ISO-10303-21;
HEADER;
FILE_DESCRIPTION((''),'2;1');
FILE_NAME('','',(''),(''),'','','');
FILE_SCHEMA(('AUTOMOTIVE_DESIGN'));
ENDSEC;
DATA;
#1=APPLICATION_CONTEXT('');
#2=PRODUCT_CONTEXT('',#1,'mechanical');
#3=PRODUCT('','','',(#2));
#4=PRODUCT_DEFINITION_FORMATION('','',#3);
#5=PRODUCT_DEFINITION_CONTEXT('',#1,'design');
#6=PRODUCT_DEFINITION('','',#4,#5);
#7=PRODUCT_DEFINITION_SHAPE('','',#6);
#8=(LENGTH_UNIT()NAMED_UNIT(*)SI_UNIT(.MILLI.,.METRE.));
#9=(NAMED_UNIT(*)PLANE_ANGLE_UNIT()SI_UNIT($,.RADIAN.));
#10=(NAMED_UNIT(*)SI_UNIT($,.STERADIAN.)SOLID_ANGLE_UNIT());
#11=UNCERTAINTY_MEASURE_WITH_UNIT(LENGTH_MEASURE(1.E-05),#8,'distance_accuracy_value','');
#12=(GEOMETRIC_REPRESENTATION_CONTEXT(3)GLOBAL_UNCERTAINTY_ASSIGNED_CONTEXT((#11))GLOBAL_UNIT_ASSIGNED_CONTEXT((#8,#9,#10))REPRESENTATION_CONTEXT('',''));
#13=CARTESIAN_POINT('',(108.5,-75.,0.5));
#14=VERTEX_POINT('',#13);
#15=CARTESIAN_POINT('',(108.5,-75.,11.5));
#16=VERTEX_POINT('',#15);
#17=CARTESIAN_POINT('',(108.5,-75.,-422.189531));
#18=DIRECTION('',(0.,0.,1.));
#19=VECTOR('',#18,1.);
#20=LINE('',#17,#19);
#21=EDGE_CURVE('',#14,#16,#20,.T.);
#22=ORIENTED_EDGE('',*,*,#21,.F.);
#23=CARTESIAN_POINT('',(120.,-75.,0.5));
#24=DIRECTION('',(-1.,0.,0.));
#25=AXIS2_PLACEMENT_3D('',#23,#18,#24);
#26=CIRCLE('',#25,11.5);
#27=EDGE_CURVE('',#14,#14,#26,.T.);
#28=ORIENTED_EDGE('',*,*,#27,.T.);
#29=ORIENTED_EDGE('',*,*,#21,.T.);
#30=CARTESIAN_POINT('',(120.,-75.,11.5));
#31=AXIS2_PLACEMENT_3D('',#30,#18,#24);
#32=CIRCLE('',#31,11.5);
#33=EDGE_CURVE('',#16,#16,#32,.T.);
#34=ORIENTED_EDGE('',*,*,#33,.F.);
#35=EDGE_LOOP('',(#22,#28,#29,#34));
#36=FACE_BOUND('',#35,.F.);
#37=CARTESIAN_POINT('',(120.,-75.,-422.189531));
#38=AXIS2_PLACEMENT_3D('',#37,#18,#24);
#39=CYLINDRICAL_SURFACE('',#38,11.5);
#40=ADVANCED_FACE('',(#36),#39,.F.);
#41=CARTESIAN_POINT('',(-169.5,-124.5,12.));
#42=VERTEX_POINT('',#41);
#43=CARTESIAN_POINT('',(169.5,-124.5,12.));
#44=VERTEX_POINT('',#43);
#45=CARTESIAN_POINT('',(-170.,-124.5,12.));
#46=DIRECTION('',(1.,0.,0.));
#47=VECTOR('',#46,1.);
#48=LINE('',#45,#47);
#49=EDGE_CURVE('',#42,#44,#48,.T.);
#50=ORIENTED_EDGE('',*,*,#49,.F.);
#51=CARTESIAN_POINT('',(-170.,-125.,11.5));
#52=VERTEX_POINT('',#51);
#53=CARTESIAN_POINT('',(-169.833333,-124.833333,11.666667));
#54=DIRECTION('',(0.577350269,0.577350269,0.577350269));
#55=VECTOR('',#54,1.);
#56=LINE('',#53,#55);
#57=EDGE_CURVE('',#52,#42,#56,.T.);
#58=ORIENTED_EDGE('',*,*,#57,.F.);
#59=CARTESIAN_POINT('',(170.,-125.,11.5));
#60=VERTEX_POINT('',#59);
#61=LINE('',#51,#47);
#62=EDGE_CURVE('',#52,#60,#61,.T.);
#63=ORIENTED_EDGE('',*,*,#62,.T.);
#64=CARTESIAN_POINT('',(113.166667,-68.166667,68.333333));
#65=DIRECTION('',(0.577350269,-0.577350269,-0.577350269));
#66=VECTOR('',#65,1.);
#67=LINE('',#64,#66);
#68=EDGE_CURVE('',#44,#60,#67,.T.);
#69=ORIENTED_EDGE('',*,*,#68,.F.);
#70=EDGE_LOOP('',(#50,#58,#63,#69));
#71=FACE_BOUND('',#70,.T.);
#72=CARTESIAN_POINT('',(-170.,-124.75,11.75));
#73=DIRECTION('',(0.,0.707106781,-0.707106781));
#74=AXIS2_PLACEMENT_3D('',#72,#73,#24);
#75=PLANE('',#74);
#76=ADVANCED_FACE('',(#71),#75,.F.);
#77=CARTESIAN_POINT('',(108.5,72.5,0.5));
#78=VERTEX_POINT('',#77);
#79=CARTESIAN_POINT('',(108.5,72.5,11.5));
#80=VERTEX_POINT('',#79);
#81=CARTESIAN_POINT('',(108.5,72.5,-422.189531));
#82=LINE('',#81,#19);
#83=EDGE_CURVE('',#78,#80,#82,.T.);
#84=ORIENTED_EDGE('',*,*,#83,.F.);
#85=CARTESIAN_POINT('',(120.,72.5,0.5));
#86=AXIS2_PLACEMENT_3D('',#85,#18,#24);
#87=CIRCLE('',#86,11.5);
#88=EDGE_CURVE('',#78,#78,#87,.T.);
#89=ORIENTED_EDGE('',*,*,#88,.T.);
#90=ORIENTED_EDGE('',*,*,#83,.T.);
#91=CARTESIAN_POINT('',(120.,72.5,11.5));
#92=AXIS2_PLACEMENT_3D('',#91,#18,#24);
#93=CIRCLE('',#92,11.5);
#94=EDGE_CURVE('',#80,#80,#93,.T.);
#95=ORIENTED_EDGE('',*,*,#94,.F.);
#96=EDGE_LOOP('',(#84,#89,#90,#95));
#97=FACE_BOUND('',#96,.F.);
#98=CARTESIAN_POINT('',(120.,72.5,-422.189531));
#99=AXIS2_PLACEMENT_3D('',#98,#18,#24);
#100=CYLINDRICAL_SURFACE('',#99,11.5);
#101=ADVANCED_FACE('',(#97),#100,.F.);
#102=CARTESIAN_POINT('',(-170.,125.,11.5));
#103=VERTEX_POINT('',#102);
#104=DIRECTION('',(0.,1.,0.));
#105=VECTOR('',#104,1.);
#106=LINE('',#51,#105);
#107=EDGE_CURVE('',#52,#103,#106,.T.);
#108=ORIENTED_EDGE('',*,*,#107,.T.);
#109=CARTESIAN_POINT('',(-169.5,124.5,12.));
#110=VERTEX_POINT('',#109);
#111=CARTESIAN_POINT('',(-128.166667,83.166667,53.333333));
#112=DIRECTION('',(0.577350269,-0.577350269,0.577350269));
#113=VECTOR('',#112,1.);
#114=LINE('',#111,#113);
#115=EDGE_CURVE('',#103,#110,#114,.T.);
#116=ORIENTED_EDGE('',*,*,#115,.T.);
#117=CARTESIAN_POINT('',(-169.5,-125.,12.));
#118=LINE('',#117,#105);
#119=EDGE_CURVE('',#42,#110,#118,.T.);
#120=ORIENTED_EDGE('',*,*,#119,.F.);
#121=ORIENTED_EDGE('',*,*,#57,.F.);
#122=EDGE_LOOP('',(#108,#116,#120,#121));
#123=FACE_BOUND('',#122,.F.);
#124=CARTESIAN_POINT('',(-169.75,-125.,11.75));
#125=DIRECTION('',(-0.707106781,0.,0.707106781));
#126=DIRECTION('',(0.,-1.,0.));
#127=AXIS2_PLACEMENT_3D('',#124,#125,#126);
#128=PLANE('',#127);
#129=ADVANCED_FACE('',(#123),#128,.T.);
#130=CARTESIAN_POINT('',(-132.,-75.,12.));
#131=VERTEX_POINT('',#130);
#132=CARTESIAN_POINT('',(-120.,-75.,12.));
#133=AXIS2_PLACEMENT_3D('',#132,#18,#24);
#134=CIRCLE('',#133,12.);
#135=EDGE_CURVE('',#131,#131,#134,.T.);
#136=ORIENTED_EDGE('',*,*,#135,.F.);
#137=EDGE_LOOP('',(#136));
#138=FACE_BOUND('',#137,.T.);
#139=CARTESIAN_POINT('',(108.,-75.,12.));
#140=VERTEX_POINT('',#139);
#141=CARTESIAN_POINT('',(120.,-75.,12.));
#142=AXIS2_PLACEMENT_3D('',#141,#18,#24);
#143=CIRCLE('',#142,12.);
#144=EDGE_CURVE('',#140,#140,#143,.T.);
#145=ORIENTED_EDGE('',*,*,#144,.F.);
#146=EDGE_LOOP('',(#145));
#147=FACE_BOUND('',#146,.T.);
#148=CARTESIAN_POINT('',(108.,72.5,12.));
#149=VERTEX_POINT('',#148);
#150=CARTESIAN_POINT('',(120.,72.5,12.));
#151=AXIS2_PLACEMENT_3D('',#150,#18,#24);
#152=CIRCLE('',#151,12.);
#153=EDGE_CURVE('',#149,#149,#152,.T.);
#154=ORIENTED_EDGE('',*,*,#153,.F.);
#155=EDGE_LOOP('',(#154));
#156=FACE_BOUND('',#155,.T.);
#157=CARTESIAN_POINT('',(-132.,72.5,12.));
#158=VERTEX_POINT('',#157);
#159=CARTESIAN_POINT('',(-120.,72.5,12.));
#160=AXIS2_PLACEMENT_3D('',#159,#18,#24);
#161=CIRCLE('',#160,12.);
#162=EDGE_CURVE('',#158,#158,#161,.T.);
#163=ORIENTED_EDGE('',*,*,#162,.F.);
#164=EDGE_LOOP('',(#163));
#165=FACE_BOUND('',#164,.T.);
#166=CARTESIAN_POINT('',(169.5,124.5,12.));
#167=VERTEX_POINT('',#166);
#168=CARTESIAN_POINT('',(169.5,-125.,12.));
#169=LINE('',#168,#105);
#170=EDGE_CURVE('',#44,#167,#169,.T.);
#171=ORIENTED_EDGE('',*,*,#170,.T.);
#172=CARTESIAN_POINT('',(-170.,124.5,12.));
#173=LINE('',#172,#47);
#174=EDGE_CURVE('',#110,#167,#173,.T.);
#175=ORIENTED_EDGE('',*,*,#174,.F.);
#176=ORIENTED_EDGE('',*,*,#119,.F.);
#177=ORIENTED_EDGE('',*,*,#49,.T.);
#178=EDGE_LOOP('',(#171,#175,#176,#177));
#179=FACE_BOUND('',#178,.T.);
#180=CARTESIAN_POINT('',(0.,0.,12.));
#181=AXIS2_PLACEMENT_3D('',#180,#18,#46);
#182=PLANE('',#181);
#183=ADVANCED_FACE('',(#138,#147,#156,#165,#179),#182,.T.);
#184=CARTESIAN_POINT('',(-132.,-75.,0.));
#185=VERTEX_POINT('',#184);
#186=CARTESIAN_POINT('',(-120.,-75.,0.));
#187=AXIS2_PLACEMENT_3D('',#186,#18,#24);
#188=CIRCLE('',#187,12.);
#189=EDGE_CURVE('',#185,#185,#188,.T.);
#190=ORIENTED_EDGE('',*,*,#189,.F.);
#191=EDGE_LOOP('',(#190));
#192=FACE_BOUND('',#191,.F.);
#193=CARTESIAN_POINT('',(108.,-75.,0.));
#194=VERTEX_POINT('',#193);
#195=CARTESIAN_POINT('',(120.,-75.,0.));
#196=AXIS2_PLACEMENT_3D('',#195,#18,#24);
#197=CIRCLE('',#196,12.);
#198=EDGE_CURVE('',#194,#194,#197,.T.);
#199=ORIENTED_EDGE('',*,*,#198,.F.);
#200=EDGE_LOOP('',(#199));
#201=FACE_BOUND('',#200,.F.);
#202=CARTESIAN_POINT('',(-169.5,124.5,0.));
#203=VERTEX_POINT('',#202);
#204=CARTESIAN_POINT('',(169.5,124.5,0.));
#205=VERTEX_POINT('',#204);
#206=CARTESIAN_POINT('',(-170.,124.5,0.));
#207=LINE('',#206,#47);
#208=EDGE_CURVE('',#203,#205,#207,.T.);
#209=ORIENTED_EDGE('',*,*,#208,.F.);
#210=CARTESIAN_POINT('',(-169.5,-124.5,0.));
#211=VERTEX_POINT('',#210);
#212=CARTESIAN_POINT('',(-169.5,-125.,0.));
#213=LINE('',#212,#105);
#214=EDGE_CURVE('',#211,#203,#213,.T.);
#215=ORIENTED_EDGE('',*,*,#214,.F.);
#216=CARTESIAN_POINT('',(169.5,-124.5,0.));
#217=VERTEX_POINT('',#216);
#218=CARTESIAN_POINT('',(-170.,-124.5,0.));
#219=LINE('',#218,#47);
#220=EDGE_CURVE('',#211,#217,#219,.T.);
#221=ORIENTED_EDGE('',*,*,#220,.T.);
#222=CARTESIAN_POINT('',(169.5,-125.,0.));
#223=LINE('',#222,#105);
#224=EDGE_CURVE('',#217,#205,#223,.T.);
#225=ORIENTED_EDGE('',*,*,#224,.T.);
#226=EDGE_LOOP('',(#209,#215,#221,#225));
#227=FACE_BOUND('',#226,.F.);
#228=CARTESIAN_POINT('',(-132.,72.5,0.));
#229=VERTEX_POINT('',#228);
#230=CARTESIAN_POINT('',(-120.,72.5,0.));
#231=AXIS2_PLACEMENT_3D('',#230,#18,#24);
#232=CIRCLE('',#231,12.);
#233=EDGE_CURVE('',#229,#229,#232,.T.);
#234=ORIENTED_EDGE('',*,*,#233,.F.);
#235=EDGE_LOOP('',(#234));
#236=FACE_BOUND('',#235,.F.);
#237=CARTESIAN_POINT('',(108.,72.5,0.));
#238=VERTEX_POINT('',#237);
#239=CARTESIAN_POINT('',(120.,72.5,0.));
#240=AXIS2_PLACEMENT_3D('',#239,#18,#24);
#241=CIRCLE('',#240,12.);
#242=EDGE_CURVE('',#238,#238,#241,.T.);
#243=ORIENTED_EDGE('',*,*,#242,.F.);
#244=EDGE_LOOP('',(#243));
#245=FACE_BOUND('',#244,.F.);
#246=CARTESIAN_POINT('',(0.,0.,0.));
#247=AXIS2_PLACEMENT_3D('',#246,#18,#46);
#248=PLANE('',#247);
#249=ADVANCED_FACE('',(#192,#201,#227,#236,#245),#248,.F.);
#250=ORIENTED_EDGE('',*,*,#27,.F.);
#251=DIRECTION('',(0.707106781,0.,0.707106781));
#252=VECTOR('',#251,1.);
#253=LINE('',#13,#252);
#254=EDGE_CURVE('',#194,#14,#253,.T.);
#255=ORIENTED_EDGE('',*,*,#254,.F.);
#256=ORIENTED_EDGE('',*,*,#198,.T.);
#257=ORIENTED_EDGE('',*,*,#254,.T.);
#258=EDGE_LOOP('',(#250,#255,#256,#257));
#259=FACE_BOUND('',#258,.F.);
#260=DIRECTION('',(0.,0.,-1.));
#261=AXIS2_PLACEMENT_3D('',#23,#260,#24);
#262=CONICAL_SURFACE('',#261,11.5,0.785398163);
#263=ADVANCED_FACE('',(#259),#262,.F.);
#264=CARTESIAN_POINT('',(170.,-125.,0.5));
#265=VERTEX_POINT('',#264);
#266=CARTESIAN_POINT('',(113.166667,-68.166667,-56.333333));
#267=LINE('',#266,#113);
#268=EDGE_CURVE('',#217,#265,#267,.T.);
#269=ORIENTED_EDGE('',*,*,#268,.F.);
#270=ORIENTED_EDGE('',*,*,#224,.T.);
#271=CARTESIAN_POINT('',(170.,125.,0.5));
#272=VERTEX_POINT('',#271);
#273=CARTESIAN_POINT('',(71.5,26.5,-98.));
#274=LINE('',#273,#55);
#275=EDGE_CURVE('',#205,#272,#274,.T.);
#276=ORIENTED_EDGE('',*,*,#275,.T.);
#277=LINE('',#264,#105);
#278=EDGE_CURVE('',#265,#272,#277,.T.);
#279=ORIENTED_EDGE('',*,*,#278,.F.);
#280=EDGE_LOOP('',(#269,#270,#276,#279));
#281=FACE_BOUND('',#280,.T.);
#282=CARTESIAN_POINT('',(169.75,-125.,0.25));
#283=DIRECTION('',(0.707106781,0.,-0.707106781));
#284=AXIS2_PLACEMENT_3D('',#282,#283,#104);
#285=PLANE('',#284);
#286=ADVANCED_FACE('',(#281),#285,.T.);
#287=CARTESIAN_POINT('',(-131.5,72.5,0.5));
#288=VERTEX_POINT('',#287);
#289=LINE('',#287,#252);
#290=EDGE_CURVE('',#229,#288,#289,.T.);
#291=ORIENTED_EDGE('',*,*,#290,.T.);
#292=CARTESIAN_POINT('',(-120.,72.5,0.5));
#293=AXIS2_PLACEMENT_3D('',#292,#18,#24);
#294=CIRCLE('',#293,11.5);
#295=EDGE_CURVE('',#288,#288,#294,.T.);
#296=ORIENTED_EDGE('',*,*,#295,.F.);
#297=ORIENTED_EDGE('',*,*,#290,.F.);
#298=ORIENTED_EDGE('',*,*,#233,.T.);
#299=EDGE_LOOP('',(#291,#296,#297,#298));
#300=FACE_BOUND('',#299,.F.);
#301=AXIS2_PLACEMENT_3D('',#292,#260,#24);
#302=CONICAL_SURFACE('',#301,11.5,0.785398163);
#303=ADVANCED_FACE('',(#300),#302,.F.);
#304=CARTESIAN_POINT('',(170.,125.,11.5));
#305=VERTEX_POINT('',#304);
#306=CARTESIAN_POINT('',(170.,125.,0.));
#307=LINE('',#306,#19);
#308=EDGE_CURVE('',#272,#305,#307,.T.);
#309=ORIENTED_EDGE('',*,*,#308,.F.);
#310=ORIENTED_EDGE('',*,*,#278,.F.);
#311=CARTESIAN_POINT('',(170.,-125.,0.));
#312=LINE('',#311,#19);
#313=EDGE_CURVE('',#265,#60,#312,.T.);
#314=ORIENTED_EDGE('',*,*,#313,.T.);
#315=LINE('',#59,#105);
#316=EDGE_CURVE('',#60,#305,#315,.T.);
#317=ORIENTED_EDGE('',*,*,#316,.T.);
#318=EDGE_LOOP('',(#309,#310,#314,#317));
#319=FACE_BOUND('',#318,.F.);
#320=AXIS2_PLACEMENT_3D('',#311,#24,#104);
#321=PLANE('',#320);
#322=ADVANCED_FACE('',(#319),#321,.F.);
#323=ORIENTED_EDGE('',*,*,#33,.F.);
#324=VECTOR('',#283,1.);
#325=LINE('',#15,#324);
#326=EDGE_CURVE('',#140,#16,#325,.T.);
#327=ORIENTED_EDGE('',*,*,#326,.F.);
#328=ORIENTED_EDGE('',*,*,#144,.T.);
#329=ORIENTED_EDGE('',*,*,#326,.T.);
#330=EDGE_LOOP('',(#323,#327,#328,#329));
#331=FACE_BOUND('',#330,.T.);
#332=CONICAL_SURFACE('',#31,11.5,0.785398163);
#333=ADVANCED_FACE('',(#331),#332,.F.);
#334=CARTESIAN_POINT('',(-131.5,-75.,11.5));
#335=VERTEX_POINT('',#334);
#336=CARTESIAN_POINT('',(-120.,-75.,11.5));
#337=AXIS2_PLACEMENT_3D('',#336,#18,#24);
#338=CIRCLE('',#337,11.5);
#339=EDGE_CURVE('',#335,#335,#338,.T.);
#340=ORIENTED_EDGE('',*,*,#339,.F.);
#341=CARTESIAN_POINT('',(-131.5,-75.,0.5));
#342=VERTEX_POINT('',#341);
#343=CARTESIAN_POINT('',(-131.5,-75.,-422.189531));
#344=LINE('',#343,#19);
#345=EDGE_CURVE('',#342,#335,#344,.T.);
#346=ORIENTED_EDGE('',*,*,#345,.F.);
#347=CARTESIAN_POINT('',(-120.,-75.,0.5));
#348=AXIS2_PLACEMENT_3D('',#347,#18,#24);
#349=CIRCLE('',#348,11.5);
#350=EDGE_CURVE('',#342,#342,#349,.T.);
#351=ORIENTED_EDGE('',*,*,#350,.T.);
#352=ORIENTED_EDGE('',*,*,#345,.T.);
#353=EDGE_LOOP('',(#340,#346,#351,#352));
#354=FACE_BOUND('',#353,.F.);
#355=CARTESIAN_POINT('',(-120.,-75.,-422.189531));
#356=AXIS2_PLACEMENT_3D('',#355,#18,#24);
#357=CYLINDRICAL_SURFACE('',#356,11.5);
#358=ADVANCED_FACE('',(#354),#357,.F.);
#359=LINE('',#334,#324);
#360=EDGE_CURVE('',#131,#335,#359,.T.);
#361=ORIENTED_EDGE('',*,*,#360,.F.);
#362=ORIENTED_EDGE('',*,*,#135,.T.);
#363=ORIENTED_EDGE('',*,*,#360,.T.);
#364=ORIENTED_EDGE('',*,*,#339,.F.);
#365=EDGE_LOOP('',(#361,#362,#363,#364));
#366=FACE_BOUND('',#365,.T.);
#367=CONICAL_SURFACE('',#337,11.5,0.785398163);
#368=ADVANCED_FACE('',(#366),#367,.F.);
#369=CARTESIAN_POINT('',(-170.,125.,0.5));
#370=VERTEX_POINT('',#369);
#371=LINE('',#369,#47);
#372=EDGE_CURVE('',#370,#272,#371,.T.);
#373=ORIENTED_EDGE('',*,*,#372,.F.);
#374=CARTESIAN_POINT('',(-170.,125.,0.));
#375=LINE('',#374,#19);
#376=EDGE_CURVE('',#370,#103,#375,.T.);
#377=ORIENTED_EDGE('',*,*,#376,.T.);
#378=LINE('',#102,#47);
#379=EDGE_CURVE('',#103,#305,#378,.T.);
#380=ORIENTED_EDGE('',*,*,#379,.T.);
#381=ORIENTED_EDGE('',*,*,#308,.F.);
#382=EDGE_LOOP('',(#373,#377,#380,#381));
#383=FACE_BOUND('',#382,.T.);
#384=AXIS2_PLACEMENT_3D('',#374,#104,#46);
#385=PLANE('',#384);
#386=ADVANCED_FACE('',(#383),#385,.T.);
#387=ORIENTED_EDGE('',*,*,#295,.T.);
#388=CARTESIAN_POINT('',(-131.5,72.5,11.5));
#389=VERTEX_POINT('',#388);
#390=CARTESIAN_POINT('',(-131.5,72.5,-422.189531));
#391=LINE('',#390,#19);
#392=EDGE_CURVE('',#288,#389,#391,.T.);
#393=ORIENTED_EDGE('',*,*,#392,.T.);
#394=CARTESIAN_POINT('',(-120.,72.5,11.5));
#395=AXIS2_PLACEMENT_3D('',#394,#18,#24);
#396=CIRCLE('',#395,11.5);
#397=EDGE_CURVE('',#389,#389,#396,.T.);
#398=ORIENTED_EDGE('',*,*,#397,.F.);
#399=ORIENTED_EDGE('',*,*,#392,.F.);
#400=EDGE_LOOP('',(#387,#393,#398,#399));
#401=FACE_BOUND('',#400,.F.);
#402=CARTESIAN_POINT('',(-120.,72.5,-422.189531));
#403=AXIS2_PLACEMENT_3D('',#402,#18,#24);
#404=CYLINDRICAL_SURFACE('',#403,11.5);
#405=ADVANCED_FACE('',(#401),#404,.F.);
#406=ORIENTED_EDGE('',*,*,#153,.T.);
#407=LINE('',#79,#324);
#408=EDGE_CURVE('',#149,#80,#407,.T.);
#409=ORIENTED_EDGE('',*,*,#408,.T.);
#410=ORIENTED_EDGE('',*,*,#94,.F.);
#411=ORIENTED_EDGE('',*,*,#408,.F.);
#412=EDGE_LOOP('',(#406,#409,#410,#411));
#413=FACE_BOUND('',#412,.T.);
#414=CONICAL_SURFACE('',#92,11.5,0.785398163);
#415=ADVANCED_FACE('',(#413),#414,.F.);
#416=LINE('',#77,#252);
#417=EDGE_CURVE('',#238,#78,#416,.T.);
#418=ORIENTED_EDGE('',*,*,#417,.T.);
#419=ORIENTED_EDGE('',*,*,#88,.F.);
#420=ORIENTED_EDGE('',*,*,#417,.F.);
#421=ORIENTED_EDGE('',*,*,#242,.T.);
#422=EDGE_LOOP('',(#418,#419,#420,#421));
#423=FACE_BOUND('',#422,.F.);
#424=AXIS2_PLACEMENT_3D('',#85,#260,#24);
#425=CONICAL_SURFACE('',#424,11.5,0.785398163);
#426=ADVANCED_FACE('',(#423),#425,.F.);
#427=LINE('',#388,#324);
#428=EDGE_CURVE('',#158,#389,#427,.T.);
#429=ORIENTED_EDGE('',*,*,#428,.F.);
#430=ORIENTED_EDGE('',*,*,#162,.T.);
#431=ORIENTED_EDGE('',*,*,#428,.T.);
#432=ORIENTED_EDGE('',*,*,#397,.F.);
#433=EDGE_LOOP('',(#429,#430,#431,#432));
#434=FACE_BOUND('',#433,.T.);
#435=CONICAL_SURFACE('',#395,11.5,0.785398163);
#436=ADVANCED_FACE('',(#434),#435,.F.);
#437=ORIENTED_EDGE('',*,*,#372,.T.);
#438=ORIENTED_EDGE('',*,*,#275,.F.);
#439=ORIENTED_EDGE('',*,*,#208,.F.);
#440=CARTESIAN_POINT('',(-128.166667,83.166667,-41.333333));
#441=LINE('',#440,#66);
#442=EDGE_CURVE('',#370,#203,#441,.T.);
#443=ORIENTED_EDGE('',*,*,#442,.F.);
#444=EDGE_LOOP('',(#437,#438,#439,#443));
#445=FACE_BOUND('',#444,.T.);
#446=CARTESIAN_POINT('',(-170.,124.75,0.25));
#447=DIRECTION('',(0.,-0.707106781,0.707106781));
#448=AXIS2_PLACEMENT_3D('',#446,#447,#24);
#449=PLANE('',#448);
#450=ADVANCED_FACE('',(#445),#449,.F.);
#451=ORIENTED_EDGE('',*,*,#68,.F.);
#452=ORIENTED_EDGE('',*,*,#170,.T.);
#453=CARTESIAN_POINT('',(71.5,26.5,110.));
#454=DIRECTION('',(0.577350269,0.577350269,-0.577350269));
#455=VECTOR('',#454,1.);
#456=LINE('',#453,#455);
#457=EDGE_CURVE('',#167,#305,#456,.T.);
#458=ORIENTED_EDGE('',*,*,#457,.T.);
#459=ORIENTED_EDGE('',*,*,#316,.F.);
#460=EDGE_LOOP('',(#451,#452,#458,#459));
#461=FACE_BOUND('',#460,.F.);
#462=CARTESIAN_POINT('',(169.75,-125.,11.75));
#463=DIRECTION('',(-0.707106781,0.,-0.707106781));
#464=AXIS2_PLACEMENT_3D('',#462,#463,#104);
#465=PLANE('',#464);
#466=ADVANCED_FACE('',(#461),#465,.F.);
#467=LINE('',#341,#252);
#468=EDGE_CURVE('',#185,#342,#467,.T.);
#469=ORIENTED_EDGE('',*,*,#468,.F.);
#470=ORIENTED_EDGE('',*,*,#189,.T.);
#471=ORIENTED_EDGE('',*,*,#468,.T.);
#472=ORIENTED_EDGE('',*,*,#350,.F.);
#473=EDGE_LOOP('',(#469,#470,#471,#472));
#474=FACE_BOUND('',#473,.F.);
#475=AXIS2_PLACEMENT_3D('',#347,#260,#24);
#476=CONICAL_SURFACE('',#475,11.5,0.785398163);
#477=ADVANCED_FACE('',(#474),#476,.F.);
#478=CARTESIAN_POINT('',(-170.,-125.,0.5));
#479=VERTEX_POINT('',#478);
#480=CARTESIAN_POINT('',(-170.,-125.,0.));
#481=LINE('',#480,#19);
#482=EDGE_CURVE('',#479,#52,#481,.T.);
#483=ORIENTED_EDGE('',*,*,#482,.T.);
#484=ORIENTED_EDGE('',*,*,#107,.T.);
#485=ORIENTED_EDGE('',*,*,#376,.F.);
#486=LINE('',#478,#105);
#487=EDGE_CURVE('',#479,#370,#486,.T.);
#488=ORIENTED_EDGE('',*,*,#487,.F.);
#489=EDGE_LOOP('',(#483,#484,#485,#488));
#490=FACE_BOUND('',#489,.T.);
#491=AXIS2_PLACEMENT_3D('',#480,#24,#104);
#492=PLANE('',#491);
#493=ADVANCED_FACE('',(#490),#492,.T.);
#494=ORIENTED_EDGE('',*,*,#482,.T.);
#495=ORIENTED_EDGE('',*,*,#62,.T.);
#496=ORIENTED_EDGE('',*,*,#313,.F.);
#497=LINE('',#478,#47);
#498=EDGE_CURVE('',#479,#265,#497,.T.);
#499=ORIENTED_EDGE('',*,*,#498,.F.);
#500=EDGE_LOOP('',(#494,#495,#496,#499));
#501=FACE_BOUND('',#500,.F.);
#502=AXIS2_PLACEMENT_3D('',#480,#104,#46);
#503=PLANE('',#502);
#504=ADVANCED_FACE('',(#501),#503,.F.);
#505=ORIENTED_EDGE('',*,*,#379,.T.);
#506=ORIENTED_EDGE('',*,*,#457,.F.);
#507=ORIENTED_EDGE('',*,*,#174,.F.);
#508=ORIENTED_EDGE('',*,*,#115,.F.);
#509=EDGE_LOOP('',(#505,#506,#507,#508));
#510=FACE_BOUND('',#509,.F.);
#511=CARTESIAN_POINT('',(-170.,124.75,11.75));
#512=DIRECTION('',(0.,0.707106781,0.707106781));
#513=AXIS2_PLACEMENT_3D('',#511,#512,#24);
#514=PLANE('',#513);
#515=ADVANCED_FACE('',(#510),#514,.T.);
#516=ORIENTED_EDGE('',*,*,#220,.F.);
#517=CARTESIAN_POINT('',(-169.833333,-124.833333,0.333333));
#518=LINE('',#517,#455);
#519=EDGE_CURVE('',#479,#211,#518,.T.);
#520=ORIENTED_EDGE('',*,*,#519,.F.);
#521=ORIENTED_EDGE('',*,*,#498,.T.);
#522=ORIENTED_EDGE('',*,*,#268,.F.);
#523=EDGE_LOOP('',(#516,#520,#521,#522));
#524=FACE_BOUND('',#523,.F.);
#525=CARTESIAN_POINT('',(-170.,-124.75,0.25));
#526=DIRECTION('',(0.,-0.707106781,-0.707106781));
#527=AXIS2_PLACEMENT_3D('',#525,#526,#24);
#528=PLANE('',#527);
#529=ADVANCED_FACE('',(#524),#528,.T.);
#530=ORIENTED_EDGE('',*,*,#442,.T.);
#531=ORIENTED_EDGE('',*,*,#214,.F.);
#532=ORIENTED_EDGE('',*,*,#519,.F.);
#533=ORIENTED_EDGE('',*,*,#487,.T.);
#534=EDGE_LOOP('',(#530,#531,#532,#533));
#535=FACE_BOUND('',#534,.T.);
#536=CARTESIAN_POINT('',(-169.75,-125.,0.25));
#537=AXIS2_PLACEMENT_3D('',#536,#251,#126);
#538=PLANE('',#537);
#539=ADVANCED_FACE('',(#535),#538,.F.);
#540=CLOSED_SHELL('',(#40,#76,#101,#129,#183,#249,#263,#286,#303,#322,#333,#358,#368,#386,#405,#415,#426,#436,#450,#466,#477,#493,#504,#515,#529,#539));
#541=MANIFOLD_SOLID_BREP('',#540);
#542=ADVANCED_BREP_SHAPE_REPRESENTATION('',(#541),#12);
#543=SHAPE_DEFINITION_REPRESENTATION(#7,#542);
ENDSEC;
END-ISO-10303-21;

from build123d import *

# Parameters (mm, degrees)
F0_W     = 340
F0_H     = 250
F1_DEPTH = 12
F2_D     = 23
F3_SIZE  = 0.5


with BuildPart() as f1:
    # F0 (on Top) → F1 (new body)
    with BuildSketch(Plane.XY):
        Rectangle(F0_W, F0_H)
    extrude(amount=F1_DEPTH)

    # F2 (through all)
    with Locations(Plane(origin=(0, 0, 0), x_dir=(1, 0, 0), z_dir=(0, 0, -1))):
        with Locations((120, -72.5), (120, 75), (-120, 75), (-120, -72.5)):
            Hole(F2_D / 2)

    # F3
    f3_edges = [f1.edges().sort_by_distance(p)[0] for p in [
        (170, 0, 12),
        (0, -125, 12),
        (0, 125, 12),
        (-170, 0, 12),
        (-131.5, -75, 12),
        (108.5, -75, 12),
        (-131.5, 72.5, 12),
        (108.5, 72.5, 12),
        (170, 0, 0),
        (0, -125, 0),
        (0, 125, 0),
        (-170, 0, 0),
        (-131.5, -75, 0),
        (108.5, -75, 0),
        (-131.5, 72.5, 0),
        (108.5, 72.5, 0),
    ]]
    chamfer(f3_edges, length=F3_SIZE)


solid = f1.part
